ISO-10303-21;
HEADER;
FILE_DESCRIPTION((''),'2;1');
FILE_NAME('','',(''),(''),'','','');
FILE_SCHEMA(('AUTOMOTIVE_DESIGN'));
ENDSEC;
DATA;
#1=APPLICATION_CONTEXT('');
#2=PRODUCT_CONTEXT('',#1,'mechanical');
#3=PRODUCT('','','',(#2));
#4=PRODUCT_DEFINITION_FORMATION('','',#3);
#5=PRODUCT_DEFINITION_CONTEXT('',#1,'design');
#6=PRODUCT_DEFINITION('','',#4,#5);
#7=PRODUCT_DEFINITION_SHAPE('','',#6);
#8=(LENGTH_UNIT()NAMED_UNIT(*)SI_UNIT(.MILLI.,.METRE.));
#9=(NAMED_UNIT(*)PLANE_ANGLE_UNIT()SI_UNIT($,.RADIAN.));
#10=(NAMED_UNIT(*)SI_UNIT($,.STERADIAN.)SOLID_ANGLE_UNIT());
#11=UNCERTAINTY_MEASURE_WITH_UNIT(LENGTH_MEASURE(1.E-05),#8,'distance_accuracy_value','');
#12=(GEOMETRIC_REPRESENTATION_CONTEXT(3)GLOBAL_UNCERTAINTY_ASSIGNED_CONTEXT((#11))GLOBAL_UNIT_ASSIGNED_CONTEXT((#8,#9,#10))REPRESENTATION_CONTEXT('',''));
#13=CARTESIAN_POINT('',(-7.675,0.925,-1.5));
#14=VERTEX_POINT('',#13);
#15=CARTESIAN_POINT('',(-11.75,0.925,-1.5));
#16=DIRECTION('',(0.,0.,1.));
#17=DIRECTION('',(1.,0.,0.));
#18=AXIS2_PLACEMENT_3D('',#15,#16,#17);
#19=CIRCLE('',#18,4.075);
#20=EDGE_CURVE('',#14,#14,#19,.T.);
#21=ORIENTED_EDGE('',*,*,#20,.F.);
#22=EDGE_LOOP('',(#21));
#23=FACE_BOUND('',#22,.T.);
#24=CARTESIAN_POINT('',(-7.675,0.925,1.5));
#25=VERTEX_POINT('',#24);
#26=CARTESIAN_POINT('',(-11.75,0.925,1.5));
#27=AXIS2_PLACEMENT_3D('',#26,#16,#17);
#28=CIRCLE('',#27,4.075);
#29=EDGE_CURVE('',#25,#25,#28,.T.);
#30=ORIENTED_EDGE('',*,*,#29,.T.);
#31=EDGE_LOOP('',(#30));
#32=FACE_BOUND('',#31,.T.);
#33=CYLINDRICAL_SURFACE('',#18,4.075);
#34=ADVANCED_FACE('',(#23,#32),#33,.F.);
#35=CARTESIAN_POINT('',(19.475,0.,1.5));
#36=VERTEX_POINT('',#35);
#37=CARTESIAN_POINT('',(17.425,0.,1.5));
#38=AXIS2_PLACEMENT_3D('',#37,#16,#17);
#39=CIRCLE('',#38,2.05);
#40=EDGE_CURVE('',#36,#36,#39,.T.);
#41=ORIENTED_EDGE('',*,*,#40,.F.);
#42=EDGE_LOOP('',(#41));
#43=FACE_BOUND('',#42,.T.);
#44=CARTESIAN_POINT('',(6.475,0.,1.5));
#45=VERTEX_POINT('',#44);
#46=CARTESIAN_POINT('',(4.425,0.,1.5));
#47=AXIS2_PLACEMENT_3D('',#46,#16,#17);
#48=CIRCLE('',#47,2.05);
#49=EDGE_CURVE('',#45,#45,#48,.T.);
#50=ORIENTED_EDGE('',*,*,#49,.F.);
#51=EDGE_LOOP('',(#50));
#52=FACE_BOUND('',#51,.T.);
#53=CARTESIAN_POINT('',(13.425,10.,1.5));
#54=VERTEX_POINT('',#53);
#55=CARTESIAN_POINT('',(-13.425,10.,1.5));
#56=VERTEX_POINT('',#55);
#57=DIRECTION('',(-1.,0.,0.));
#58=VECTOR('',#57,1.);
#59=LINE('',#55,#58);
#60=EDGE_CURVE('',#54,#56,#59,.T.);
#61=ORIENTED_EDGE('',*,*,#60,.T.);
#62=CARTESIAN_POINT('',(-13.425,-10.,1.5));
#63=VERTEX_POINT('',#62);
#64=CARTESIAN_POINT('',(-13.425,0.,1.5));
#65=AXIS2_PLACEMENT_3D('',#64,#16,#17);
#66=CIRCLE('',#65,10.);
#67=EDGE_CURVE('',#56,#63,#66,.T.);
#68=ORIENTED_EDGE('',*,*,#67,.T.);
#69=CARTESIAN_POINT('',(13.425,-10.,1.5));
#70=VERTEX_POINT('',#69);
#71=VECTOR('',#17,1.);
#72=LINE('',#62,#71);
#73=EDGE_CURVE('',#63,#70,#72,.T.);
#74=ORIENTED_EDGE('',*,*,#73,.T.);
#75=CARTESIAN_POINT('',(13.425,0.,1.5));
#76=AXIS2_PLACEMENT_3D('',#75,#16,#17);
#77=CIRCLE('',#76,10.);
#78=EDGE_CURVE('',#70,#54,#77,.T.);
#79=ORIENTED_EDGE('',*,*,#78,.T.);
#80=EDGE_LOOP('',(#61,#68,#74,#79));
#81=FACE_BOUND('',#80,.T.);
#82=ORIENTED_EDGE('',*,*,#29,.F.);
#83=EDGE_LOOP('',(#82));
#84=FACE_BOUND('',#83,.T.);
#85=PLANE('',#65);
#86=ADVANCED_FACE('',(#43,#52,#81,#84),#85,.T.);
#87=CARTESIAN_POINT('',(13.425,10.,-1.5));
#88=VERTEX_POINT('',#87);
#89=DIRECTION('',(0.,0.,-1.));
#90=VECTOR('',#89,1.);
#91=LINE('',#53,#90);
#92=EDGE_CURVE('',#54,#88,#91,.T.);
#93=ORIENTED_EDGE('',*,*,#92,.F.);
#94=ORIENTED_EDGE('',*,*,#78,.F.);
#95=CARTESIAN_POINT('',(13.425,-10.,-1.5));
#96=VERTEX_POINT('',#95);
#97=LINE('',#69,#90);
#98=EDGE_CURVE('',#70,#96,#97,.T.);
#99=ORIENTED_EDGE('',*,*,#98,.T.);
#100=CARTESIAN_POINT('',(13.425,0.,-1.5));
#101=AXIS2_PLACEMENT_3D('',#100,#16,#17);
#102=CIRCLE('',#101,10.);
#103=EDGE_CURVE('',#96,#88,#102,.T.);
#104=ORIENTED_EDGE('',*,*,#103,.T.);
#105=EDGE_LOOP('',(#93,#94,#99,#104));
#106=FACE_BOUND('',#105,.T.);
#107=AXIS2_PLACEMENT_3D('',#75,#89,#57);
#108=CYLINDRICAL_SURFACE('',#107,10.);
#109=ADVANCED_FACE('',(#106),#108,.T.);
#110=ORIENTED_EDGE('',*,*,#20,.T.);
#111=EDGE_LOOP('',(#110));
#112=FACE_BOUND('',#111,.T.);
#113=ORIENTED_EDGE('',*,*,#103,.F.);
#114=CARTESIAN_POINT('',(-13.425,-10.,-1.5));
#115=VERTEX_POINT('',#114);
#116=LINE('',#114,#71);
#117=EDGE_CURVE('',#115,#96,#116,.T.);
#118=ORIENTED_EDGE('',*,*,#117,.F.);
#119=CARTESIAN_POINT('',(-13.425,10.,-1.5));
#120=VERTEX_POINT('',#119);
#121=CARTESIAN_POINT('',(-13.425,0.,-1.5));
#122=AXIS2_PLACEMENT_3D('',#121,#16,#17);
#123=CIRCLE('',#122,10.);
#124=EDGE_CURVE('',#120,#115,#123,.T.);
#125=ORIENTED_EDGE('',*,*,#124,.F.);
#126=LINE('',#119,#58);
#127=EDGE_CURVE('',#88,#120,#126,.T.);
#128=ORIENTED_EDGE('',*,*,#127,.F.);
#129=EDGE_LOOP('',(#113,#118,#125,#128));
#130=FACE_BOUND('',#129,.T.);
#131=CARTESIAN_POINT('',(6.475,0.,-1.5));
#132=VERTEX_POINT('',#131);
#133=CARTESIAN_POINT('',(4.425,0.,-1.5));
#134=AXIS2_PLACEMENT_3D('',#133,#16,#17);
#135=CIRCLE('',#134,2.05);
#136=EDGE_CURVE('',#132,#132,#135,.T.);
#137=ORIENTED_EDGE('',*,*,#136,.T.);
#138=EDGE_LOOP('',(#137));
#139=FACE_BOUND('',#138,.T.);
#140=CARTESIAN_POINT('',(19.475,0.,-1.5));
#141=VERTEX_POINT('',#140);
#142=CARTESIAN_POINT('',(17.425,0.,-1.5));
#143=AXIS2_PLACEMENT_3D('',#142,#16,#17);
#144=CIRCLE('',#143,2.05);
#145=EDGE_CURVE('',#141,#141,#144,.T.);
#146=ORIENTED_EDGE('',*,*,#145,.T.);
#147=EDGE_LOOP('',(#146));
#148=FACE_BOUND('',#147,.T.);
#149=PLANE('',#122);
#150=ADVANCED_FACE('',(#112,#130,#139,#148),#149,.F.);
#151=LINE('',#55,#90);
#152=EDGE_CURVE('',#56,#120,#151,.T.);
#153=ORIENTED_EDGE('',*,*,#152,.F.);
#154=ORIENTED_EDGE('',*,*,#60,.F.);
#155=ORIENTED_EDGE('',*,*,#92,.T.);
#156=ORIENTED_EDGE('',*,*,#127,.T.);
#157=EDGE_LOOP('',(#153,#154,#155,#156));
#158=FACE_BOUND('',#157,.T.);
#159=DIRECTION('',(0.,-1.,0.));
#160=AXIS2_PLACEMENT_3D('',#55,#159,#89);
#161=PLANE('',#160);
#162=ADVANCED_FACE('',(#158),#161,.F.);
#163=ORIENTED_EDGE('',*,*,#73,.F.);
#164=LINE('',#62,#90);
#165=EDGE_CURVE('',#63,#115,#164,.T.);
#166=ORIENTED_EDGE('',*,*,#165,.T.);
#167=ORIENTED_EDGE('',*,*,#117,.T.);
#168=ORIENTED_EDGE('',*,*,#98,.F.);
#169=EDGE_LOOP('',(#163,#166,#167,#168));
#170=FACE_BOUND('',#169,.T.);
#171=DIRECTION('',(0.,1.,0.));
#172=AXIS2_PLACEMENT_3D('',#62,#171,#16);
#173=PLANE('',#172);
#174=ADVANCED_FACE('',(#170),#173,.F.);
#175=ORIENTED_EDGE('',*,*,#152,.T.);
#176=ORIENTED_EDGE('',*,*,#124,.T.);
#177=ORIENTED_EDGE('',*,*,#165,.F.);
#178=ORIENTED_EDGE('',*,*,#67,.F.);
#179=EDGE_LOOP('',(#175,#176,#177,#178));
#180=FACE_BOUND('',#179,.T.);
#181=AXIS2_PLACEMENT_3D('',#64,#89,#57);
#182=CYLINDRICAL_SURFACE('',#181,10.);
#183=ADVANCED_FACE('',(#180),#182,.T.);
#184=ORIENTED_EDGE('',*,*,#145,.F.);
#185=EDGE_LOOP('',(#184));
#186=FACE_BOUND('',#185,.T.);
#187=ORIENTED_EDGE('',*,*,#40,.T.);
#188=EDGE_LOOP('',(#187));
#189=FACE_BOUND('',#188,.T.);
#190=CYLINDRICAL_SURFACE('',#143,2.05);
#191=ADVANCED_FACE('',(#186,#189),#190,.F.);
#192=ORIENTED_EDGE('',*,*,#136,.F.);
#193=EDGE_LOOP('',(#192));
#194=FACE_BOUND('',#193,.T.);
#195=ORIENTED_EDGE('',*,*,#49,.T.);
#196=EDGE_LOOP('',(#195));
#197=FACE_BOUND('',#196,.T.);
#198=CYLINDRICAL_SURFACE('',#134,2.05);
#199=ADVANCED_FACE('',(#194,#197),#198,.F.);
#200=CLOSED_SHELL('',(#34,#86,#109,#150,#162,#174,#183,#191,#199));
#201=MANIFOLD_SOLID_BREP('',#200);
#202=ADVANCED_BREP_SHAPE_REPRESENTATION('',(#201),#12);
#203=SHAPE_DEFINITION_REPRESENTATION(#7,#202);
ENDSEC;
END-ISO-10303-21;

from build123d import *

# Parameters (mm, degrees)
BOSS_EXTRUDE1_DEPTH = 1.5
SKETCH3_R           = 2.05
CUT_EXTRUDE1_DEPTH  = 26.646259474
SKETCH4_R           = 4.075
CUT_EXTRUDE2_DEPTH  = 3


with BuildPart() as part:
    # Sketch2 → Boss-Extrude1 (new, symmetric)
    with BuildSketch(Plane.XY):
        with BuildLine():
            Line((-13.425, 10), (13.425, 10))
            ThreePointArc((13.425, 10), (23.425, 0), (13.425, -10))
            Line((13.425, -10), (-13.425, -10))
            ThreePointArc((-13.425, -10), (-23.425, 0), (-13.425, 10))
        make_face()
    extrude(amount=BOSS_EXTRUDE1_DEPTH, both=True)

    # Sketch3 → Cut-Extrude1 (cut, through all)
    with BuildSketch(Plane.XY.offset(1.5)):
        with Locations((4.425, 0)):
            Circle(SKETCH3_R)
        with Locations((17.425, 0)):
            Circle(SKETCH3_R)
    extrude(amount=-CUT_EXTRUDE1_DEPTH, mode=Mode.SUBTRACT)

    # Sketch4 → Cut-Extrude2 (cut)
    with BuildSketch(Plane.XY.offset(1.5)):
        with Locations((-11.75, 0.925)):
            Circle(SKETCH4_R)
    extrude(amount=-CUT_EXTRUDE2_DEPTH, mode=Mode.SUBTRACT)


solid = part.part
